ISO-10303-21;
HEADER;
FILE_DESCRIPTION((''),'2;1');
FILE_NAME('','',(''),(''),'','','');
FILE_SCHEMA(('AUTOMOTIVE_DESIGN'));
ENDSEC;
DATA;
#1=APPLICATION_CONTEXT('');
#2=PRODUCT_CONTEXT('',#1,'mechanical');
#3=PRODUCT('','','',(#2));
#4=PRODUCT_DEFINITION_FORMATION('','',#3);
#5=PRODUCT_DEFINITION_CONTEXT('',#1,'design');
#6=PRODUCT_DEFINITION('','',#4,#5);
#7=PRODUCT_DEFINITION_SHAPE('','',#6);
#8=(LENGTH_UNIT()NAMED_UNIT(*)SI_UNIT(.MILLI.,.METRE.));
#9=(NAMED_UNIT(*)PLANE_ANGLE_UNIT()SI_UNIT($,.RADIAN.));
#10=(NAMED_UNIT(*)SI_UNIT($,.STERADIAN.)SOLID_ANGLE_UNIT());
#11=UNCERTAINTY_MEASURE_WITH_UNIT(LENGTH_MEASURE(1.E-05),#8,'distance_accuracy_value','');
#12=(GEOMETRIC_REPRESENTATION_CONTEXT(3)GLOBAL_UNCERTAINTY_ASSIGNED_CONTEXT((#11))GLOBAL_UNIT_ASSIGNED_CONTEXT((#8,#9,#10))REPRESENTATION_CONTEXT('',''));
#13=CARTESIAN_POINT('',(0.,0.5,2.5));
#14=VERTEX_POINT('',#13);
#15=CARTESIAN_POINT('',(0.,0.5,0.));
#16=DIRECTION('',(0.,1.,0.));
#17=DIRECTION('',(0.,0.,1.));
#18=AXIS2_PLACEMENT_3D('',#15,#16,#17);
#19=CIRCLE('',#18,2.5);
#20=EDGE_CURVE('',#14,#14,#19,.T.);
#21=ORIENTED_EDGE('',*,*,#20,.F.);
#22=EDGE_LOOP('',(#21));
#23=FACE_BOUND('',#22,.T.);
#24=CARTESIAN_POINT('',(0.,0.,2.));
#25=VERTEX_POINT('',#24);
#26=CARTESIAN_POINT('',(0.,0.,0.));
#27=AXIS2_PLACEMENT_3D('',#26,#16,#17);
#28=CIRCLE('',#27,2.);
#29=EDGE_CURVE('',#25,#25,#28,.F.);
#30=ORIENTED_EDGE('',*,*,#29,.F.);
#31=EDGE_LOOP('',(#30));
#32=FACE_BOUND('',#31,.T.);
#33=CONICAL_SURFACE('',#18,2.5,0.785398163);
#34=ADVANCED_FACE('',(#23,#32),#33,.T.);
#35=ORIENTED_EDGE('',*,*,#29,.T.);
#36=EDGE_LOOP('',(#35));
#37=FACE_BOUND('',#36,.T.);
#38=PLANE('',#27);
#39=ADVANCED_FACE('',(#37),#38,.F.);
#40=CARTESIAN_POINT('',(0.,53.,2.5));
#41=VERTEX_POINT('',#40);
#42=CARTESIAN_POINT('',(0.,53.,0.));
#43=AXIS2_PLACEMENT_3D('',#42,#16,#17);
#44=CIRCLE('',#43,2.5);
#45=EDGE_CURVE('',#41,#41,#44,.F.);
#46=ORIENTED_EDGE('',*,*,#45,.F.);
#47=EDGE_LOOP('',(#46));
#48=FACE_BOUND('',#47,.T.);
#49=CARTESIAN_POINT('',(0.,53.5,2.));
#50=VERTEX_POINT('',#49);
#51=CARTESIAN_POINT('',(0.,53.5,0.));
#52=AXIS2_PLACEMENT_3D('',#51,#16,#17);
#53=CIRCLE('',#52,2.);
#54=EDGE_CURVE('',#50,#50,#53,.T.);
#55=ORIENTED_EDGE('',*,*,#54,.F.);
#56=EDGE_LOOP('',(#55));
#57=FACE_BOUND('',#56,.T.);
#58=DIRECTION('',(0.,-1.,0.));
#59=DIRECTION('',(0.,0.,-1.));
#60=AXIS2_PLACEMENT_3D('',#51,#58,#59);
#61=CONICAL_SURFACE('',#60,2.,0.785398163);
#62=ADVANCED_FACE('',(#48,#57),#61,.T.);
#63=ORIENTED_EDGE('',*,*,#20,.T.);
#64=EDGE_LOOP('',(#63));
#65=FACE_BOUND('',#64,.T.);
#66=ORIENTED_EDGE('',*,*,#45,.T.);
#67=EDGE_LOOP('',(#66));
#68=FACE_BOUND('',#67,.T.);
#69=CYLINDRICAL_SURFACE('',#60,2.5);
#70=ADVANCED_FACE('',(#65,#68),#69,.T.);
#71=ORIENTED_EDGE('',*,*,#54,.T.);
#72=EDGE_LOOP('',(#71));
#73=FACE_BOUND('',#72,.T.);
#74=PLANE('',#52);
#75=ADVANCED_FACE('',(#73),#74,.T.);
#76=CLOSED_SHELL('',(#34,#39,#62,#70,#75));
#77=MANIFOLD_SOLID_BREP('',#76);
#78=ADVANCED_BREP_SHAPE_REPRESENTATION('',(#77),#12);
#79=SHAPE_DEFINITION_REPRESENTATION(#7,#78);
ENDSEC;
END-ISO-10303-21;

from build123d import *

# Parameters (mm, degrees)
SKETCH_1_R      = 2.5
EXTRUDE_1_DEPTH = 53.5
CHAMFER_1_SIZE  = 0.5


with BuildPart() as part:
    # Эскиз1 → Бобышка-Вытянуть1 (new body)
    with BuildSketch(Plane(origin=(0, 0, 0), x_dir=(1, 0, 0), z_dir=(0, 1, 0))):
        with Locations(Location((0, 0, 0), (0, 0, 270))):
            Circle(SKETCH_1_R)
    extrude(amount=EXTRUDE_1_DEPTH)

    # Фаска1
    chamfer_1_edges = [part.edges().sort_by_distance(p)[0] for p in [
        (0, 0, -2.5),
        (0, 53.5, -2.5),
    ]]
    chamfer(chamfer_1_edges, length=CHAMFER_1_SIZE)


solid = part.part
